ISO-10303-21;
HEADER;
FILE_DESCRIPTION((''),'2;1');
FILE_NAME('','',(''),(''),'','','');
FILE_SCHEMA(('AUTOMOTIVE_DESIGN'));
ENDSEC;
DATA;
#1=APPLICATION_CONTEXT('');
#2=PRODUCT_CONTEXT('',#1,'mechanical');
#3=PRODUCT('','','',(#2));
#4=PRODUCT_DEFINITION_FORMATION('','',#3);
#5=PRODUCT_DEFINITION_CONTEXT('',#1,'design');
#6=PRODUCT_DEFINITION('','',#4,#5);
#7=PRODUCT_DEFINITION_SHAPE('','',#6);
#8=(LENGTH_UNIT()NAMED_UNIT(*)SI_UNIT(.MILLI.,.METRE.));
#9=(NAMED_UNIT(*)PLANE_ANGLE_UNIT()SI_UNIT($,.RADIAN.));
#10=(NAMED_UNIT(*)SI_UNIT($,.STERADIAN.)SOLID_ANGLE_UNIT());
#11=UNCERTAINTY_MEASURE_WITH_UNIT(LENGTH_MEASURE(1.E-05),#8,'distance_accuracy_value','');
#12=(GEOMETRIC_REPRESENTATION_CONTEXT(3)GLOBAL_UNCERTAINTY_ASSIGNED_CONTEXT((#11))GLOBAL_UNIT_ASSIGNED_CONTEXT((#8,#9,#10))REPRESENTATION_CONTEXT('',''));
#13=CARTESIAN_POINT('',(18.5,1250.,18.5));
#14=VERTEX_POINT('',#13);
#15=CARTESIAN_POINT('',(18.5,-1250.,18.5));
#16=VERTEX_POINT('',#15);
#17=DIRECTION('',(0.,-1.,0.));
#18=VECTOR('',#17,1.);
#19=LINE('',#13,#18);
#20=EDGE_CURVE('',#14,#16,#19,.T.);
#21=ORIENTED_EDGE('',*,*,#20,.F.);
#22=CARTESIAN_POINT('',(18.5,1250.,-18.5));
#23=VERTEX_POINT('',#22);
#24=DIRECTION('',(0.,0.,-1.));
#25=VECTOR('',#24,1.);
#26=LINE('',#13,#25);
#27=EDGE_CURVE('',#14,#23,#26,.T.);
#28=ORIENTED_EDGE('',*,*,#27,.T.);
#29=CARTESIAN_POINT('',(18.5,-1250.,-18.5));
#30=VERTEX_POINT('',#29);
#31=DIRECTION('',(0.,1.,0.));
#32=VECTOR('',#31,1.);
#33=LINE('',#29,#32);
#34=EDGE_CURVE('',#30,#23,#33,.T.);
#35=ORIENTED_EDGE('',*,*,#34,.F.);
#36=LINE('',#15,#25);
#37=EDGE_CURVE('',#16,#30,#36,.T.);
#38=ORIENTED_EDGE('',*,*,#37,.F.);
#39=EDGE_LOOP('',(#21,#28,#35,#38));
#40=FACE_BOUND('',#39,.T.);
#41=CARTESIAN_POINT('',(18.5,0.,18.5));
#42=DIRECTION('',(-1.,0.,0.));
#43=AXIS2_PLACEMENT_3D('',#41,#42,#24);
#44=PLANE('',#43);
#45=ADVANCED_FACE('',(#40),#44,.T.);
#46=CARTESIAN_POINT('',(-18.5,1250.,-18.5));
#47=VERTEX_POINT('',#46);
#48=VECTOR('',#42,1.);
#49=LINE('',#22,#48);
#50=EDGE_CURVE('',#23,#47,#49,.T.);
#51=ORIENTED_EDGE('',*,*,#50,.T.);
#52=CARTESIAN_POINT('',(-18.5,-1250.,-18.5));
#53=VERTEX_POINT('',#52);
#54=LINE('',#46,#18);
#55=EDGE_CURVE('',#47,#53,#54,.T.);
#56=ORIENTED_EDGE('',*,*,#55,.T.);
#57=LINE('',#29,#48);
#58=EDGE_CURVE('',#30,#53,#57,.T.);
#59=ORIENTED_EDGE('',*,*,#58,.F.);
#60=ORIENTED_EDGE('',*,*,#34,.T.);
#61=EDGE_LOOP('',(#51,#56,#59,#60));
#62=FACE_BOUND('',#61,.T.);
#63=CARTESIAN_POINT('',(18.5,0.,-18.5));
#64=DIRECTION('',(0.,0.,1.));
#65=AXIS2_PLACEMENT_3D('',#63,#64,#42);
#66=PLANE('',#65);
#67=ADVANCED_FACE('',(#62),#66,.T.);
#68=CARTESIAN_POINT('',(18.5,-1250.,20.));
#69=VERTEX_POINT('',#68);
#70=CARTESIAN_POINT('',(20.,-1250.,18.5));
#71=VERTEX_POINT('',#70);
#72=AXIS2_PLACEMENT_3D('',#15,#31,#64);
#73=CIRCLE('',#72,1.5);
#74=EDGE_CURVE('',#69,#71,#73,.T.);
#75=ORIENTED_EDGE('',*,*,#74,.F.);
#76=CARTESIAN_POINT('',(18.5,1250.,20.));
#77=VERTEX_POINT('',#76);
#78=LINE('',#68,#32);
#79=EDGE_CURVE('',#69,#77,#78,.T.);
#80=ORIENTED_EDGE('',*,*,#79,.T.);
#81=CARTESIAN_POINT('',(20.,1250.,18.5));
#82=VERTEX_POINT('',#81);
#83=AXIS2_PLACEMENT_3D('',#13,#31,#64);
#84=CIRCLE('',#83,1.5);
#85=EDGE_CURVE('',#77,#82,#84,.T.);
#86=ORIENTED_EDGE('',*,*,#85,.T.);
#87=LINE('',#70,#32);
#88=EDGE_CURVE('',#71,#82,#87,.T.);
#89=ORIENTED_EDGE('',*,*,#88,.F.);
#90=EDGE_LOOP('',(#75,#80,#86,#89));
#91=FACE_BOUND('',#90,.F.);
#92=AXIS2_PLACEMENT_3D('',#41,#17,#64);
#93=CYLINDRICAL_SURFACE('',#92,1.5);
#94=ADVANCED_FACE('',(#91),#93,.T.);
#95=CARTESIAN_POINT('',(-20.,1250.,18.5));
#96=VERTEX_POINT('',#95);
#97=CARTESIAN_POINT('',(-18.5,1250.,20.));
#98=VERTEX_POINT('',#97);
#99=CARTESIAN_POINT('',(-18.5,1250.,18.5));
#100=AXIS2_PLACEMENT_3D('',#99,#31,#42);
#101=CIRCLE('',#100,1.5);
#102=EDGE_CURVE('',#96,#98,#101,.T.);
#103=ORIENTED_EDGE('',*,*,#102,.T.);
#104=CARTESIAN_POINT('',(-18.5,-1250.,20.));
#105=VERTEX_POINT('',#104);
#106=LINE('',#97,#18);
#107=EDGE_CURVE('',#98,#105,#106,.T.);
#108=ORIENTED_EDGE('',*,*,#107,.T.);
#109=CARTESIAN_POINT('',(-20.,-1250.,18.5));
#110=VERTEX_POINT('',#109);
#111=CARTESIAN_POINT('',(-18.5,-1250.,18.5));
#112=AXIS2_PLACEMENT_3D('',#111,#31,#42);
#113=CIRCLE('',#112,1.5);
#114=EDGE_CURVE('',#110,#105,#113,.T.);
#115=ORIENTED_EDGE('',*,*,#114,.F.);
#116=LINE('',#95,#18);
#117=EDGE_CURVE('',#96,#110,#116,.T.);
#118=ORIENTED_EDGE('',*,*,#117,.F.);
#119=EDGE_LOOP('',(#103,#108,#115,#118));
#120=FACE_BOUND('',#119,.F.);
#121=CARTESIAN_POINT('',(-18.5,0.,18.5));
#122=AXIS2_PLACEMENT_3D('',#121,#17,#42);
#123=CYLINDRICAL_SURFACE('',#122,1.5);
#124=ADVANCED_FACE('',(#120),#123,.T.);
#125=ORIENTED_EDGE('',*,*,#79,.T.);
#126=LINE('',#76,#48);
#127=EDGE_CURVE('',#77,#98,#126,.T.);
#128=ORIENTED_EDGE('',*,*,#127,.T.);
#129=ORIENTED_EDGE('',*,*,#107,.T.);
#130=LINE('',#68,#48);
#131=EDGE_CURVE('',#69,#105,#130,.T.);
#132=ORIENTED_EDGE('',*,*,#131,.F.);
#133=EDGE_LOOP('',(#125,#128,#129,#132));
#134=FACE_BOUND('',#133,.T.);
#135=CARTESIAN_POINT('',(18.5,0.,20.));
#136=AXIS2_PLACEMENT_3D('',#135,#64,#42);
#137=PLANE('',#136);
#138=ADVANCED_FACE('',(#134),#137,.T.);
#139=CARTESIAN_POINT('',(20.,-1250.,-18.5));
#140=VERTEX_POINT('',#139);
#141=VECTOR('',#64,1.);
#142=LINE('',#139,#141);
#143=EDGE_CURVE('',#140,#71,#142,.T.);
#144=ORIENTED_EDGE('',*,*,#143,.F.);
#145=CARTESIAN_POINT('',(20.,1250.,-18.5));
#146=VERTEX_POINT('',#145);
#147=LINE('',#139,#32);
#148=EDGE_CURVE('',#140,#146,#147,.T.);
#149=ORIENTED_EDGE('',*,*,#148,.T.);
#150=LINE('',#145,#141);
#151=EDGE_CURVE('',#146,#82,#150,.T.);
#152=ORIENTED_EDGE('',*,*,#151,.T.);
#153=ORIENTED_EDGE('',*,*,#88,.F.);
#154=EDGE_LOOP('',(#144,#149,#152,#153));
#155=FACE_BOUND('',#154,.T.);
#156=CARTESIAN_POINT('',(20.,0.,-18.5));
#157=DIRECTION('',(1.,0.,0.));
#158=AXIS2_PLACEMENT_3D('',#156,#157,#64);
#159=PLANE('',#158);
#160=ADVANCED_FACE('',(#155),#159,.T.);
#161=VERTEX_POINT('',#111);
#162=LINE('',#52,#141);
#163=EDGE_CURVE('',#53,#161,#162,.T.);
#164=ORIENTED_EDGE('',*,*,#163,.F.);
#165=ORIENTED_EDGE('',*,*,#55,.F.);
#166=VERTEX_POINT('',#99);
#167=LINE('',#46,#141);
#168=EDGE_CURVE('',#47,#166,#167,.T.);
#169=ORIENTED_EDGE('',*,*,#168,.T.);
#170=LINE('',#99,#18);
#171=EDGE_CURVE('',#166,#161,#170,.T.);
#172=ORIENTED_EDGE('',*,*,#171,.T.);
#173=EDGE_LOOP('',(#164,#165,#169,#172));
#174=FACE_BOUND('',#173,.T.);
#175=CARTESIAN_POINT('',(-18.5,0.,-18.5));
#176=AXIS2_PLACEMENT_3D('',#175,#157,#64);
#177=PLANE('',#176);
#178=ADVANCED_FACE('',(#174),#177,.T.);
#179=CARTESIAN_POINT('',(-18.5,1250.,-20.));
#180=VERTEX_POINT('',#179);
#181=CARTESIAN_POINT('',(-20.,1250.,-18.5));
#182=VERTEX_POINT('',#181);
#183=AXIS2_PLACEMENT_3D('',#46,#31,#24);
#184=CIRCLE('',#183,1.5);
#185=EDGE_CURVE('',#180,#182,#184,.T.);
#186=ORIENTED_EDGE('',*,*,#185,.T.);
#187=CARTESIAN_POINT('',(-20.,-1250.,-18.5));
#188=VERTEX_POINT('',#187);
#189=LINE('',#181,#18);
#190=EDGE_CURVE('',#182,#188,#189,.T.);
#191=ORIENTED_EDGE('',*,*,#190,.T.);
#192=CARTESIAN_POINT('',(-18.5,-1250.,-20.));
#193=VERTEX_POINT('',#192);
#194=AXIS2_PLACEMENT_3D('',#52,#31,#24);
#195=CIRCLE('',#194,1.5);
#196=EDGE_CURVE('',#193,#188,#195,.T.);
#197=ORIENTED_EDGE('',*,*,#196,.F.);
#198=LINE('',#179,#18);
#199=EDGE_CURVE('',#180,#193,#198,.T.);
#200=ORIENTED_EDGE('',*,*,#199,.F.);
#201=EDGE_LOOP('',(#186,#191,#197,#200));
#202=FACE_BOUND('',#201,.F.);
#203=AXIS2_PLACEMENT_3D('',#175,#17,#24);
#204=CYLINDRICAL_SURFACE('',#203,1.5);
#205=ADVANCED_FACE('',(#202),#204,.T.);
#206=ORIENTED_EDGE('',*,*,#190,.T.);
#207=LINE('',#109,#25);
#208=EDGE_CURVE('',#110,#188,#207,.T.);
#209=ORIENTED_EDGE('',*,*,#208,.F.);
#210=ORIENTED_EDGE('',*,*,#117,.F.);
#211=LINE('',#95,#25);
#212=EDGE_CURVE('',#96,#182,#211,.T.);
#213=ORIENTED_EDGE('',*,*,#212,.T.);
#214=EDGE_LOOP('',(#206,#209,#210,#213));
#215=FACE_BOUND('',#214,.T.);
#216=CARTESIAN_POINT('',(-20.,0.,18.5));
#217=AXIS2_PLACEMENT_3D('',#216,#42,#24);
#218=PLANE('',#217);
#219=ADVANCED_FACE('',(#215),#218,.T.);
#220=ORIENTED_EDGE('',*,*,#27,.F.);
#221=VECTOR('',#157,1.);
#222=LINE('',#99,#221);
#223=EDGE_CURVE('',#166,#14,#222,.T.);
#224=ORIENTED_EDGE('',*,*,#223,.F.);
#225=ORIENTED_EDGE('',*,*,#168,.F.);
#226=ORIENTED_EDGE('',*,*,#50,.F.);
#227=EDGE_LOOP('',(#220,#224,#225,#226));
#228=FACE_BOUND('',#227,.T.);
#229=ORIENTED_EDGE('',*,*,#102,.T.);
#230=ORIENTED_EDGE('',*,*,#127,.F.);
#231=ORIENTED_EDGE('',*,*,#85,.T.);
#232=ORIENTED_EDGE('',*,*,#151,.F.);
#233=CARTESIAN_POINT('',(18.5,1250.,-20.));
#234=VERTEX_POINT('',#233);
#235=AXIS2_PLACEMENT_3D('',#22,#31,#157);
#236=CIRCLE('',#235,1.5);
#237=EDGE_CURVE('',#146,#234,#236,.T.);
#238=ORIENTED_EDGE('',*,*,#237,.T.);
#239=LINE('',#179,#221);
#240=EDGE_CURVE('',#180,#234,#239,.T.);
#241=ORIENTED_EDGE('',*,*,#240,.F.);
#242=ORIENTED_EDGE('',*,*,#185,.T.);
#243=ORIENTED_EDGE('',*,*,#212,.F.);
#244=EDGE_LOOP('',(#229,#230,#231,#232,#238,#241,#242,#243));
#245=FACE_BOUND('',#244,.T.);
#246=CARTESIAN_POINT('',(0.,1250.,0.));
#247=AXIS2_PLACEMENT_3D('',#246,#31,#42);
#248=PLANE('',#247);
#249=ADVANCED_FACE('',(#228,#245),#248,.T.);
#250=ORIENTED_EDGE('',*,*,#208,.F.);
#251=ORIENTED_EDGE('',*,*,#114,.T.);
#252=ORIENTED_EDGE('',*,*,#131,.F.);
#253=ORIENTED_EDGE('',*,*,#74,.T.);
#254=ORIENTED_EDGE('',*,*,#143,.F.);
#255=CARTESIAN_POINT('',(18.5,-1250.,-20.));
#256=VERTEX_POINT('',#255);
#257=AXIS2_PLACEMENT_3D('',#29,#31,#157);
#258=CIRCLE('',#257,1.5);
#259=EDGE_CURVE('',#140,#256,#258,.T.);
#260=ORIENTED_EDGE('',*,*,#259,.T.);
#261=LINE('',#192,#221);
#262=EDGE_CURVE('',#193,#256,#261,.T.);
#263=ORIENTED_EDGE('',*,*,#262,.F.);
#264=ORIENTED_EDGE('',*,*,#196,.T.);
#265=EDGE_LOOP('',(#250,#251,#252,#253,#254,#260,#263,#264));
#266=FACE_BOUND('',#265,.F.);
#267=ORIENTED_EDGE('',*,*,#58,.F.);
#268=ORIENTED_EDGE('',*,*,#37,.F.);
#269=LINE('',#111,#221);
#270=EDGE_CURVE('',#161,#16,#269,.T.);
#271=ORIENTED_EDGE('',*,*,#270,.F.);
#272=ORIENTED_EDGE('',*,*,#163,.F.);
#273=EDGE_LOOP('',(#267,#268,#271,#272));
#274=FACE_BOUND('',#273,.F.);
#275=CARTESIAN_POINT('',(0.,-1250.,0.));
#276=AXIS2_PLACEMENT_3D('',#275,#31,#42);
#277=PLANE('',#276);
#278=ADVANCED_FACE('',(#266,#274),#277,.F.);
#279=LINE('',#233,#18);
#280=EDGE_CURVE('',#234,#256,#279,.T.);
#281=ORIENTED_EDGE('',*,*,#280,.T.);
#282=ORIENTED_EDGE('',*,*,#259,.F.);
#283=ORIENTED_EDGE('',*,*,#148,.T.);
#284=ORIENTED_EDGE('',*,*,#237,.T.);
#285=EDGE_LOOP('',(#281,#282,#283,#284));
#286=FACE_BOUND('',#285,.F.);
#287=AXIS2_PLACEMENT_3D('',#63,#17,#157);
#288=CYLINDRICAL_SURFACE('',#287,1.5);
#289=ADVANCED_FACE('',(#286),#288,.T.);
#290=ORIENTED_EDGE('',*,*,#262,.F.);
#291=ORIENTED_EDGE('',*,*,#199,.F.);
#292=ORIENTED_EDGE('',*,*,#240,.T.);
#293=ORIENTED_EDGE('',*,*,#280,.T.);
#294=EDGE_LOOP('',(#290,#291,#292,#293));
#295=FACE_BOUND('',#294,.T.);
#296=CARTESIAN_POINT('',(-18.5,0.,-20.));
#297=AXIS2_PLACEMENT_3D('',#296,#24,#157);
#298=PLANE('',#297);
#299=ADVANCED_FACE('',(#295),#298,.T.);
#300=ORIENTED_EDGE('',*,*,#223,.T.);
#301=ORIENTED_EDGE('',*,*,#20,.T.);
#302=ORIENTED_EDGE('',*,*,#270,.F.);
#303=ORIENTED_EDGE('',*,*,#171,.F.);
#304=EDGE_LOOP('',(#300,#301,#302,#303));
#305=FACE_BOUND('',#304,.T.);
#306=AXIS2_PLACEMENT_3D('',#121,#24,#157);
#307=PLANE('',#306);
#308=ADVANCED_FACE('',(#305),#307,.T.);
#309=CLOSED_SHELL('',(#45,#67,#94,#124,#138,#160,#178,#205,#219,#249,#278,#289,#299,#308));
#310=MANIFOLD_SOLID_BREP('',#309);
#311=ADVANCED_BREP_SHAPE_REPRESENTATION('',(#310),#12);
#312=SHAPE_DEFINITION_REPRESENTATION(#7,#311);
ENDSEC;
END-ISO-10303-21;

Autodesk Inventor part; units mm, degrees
ref_plane "YZ Plane" through (0, 0, 0) normal (1, 0, 0) x (0, 1, 0)
ref_plane "XZ Plane" through (0, 0, 0) normal (0, 1, 0) x (-1, 0, 0)
ref_plane "XY Plane" through (0, 0, 0) normal (0, 0, 1) x (1, 0, 0)
sketch "Esboço1" plane through (0, 0, 0) normal (0, 1, 0) x (-1, 0, 0)
  line L0 (-18.5, 20) -> (18.5, 20)
  line L1 (20, 18.5) -> (20, -18.5)
  line L2 (18.5, -20) -> (-18.5, -20)
  line L3 (-20, -18.5) -> (-20, 18.5)
  line L4 (-20, 20) -> (20, -20) construction
  line L5 (20, 20) -> (-20, -20) construction
  line L6 (-18.5, -18.5) -> (18.5, -18.5)
  line L7 (18.5, -18.5) -> (18.5, 18.5)
  line L8 (18.5, 18.5) -> (-18.5, 18.5)
  line L9 (-18.5, 18.5) -> (-18.5, -18.5)
  line L10 (-18.5, -18.5) -> (18.5, 18.5) construction
  line L11 (18.5, -18.5) -> (-18.5, 18.5) construction
  arc A0 (20, 18.5) -> (18.5, 20) centre (18.5, 18.5) ccw
  arc A1 (-18.5, 20) -> (-20, 18.5) centre (-18.5, 18.5) ccw
  arc A2 (-20, -18.5) -> (-18.5, -20) centre (-18.5, -18.5) ccw
  arc A3 (18.5, -20) -> (20, -18.5) centre (18.5, -18.5) ccw
  point P0 (0, 0)
  dimension "d0" = 40
  dimension "d1" = 40
  dimension "d2" = 1.5
  dimension "d3" = 1.5
extrude "Extrusão1" add sketch "Esboço1" along normal mid plane 2500
equation "\"d3\" = d2"
properties part number "MSI-102" material "Aço inoxidável AISI 304"
